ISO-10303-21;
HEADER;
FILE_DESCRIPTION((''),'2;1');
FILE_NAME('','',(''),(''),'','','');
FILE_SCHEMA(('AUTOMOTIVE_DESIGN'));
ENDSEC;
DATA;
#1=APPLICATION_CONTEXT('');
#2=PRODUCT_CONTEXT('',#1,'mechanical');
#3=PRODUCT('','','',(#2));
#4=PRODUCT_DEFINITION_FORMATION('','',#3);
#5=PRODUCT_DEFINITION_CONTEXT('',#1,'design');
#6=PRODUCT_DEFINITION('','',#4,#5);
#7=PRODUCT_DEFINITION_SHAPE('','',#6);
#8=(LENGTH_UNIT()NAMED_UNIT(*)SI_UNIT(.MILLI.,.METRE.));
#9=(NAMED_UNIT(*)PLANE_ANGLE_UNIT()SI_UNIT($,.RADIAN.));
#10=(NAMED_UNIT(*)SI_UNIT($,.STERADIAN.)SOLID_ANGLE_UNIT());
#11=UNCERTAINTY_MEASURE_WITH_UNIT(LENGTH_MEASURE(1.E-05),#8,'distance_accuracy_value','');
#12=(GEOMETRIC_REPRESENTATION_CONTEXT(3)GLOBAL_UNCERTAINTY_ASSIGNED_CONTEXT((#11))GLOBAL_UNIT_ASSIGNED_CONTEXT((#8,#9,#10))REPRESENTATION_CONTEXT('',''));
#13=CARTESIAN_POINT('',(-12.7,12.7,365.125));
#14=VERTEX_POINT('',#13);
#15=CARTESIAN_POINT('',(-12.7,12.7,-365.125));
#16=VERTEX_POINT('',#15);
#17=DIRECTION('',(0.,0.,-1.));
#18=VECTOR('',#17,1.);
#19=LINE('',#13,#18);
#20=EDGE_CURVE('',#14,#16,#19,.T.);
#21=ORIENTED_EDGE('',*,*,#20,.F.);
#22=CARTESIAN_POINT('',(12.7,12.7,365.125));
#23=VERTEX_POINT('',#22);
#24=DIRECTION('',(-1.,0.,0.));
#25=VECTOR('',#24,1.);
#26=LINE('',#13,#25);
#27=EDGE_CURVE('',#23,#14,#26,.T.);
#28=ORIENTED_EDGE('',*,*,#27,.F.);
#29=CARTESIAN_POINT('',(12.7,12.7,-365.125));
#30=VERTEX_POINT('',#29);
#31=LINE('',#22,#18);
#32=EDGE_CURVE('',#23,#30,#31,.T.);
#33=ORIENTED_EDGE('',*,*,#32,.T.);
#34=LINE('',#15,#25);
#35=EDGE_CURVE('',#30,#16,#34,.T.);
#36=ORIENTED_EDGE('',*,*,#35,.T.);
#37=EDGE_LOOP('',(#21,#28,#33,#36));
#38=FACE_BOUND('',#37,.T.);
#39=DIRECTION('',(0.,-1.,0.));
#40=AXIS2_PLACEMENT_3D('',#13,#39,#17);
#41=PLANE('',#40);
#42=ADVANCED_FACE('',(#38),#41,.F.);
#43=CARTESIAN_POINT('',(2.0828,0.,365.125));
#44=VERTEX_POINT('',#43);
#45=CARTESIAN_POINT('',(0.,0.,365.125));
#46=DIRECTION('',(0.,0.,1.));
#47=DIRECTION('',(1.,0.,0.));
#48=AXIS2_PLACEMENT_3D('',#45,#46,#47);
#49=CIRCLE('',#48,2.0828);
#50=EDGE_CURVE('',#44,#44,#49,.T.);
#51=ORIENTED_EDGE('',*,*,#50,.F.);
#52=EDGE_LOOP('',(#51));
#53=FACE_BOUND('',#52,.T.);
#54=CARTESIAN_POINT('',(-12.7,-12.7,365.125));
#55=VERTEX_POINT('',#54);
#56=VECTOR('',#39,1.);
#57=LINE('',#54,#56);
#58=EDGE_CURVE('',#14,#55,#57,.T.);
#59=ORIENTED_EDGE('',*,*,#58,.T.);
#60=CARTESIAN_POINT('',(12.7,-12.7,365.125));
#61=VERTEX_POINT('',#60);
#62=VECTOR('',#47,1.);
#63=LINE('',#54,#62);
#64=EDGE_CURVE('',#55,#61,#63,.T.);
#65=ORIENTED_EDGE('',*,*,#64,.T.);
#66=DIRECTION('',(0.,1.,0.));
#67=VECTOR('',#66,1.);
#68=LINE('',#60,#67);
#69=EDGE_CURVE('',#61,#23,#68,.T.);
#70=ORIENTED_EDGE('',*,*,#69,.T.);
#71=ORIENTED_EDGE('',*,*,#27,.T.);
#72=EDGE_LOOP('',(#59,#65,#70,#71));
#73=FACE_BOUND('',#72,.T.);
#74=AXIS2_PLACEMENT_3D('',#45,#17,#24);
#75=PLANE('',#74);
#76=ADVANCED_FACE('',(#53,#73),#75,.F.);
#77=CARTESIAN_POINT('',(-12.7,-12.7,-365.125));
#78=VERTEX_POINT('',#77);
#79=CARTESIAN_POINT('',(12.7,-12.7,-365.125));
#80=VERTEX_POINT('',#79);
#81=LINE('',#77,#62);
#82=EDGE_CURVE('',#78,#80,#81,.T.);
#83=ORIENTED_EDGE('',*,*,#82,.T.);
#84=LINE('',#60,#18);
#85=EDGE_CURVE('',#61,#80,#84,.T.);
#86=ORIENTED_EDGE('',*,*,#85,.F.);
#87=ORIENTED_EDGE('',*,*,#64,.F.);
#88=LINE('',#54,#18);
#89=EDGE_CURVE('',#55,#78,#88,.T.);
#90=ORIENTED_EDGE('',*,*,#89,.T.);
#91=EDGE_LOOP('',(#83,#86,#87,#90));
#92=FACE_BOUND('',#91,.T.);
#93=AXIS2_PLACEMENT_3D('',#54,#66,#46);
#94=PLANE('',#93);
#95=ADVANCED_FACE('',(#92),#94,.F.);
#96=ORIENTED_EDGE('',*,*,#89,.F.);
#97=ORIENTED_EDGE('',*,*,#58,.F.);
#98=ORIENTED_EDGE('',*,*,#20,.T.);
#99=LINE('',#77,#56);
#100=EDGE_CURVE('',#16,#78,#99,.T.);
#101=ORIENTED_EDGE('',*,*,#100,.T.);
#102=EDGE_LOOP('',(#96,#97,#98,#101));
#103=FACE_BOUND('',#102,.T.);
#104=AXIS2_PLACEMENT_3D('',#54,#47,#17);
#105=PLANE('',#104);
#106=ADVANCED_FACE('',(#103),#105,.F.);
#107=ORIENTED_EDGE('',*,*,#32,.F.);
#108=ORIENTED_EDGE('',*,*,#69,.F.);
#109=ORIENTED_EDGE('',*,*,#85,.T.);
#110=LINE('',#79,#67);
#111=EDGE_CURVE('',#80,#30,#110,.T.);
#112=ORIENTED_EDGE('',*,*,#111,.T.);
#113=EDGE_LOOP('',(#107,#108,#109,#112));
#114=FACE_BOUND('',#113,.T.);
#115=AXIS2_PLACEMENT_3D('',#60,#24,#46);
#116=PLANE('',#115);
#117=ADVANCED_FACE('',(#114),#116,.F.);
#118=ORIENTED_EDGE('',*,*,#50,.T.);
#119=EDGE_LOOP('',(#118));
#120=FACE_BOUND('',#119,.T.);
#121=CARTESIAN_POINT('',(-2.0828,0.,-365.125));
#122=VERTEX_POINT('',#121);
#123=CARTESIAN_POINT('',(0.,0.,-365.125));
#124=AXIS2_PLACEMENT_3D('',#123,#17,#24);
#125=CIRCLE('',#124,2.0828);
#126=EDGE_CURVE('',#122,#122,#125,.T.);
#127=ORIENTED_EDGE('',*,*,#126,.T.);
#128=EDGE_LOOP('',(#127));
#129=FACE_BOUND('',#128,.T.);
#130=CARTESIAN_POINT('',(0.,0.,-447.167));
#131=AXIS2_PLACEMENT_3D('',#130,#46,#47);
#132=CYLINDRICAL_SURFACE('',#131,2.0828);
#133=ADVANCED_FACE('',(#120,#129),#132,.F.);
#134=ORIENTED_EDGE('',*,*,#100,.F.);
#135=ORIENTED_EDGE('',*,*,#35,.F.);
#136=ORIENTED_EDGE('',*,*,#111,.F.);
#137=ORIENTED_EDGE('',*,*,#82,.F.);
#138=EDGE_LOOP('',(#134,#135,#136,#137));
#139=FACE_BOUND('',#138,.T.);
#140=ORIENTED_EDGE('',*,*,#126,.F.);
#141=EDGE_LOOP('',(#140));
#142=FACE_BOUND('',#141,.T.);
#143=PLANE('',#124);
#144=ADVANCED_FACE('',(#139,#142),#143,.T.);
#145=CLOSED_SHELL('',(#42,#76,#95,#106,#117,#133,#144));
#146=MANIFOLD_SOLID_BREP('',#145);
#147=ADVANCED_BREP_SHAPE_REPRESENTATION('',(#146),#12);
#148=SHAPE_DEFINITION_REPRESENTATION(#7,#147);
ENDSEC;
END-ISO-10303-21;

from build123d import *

# Parameters (mm, degrees)
SKETCH1_W           = 25.4
SKETCH1_H           = 25.4
BOSS_EXTRUDE1_DEPTH = 365.125
SKETCH2_R           = 2.0828
CUT_EXTRUDE1_DEPTH  = 812.292


with BuildPart() as part:
    # Sketch1 → Boss-Extrude1 (new body, symmetric)
    with BuildSketch(Plane.XY):
        Rectangle(SKETCH1_W, SKETCH1_H)
    extrude(amount=BOSS_EXTRUDE1_DEPTH, both=True)

    # Sketch2 → Cut-Extrude1 (cut)
    with BuildSketch(Plane.XY.offset(365.125)):
        Circle(SKETCH2_R)
    extrude(amount=-CUT_EXTRUDE1_DEPTH, mode=Mode.SUBTRACT)


solid = part.part
